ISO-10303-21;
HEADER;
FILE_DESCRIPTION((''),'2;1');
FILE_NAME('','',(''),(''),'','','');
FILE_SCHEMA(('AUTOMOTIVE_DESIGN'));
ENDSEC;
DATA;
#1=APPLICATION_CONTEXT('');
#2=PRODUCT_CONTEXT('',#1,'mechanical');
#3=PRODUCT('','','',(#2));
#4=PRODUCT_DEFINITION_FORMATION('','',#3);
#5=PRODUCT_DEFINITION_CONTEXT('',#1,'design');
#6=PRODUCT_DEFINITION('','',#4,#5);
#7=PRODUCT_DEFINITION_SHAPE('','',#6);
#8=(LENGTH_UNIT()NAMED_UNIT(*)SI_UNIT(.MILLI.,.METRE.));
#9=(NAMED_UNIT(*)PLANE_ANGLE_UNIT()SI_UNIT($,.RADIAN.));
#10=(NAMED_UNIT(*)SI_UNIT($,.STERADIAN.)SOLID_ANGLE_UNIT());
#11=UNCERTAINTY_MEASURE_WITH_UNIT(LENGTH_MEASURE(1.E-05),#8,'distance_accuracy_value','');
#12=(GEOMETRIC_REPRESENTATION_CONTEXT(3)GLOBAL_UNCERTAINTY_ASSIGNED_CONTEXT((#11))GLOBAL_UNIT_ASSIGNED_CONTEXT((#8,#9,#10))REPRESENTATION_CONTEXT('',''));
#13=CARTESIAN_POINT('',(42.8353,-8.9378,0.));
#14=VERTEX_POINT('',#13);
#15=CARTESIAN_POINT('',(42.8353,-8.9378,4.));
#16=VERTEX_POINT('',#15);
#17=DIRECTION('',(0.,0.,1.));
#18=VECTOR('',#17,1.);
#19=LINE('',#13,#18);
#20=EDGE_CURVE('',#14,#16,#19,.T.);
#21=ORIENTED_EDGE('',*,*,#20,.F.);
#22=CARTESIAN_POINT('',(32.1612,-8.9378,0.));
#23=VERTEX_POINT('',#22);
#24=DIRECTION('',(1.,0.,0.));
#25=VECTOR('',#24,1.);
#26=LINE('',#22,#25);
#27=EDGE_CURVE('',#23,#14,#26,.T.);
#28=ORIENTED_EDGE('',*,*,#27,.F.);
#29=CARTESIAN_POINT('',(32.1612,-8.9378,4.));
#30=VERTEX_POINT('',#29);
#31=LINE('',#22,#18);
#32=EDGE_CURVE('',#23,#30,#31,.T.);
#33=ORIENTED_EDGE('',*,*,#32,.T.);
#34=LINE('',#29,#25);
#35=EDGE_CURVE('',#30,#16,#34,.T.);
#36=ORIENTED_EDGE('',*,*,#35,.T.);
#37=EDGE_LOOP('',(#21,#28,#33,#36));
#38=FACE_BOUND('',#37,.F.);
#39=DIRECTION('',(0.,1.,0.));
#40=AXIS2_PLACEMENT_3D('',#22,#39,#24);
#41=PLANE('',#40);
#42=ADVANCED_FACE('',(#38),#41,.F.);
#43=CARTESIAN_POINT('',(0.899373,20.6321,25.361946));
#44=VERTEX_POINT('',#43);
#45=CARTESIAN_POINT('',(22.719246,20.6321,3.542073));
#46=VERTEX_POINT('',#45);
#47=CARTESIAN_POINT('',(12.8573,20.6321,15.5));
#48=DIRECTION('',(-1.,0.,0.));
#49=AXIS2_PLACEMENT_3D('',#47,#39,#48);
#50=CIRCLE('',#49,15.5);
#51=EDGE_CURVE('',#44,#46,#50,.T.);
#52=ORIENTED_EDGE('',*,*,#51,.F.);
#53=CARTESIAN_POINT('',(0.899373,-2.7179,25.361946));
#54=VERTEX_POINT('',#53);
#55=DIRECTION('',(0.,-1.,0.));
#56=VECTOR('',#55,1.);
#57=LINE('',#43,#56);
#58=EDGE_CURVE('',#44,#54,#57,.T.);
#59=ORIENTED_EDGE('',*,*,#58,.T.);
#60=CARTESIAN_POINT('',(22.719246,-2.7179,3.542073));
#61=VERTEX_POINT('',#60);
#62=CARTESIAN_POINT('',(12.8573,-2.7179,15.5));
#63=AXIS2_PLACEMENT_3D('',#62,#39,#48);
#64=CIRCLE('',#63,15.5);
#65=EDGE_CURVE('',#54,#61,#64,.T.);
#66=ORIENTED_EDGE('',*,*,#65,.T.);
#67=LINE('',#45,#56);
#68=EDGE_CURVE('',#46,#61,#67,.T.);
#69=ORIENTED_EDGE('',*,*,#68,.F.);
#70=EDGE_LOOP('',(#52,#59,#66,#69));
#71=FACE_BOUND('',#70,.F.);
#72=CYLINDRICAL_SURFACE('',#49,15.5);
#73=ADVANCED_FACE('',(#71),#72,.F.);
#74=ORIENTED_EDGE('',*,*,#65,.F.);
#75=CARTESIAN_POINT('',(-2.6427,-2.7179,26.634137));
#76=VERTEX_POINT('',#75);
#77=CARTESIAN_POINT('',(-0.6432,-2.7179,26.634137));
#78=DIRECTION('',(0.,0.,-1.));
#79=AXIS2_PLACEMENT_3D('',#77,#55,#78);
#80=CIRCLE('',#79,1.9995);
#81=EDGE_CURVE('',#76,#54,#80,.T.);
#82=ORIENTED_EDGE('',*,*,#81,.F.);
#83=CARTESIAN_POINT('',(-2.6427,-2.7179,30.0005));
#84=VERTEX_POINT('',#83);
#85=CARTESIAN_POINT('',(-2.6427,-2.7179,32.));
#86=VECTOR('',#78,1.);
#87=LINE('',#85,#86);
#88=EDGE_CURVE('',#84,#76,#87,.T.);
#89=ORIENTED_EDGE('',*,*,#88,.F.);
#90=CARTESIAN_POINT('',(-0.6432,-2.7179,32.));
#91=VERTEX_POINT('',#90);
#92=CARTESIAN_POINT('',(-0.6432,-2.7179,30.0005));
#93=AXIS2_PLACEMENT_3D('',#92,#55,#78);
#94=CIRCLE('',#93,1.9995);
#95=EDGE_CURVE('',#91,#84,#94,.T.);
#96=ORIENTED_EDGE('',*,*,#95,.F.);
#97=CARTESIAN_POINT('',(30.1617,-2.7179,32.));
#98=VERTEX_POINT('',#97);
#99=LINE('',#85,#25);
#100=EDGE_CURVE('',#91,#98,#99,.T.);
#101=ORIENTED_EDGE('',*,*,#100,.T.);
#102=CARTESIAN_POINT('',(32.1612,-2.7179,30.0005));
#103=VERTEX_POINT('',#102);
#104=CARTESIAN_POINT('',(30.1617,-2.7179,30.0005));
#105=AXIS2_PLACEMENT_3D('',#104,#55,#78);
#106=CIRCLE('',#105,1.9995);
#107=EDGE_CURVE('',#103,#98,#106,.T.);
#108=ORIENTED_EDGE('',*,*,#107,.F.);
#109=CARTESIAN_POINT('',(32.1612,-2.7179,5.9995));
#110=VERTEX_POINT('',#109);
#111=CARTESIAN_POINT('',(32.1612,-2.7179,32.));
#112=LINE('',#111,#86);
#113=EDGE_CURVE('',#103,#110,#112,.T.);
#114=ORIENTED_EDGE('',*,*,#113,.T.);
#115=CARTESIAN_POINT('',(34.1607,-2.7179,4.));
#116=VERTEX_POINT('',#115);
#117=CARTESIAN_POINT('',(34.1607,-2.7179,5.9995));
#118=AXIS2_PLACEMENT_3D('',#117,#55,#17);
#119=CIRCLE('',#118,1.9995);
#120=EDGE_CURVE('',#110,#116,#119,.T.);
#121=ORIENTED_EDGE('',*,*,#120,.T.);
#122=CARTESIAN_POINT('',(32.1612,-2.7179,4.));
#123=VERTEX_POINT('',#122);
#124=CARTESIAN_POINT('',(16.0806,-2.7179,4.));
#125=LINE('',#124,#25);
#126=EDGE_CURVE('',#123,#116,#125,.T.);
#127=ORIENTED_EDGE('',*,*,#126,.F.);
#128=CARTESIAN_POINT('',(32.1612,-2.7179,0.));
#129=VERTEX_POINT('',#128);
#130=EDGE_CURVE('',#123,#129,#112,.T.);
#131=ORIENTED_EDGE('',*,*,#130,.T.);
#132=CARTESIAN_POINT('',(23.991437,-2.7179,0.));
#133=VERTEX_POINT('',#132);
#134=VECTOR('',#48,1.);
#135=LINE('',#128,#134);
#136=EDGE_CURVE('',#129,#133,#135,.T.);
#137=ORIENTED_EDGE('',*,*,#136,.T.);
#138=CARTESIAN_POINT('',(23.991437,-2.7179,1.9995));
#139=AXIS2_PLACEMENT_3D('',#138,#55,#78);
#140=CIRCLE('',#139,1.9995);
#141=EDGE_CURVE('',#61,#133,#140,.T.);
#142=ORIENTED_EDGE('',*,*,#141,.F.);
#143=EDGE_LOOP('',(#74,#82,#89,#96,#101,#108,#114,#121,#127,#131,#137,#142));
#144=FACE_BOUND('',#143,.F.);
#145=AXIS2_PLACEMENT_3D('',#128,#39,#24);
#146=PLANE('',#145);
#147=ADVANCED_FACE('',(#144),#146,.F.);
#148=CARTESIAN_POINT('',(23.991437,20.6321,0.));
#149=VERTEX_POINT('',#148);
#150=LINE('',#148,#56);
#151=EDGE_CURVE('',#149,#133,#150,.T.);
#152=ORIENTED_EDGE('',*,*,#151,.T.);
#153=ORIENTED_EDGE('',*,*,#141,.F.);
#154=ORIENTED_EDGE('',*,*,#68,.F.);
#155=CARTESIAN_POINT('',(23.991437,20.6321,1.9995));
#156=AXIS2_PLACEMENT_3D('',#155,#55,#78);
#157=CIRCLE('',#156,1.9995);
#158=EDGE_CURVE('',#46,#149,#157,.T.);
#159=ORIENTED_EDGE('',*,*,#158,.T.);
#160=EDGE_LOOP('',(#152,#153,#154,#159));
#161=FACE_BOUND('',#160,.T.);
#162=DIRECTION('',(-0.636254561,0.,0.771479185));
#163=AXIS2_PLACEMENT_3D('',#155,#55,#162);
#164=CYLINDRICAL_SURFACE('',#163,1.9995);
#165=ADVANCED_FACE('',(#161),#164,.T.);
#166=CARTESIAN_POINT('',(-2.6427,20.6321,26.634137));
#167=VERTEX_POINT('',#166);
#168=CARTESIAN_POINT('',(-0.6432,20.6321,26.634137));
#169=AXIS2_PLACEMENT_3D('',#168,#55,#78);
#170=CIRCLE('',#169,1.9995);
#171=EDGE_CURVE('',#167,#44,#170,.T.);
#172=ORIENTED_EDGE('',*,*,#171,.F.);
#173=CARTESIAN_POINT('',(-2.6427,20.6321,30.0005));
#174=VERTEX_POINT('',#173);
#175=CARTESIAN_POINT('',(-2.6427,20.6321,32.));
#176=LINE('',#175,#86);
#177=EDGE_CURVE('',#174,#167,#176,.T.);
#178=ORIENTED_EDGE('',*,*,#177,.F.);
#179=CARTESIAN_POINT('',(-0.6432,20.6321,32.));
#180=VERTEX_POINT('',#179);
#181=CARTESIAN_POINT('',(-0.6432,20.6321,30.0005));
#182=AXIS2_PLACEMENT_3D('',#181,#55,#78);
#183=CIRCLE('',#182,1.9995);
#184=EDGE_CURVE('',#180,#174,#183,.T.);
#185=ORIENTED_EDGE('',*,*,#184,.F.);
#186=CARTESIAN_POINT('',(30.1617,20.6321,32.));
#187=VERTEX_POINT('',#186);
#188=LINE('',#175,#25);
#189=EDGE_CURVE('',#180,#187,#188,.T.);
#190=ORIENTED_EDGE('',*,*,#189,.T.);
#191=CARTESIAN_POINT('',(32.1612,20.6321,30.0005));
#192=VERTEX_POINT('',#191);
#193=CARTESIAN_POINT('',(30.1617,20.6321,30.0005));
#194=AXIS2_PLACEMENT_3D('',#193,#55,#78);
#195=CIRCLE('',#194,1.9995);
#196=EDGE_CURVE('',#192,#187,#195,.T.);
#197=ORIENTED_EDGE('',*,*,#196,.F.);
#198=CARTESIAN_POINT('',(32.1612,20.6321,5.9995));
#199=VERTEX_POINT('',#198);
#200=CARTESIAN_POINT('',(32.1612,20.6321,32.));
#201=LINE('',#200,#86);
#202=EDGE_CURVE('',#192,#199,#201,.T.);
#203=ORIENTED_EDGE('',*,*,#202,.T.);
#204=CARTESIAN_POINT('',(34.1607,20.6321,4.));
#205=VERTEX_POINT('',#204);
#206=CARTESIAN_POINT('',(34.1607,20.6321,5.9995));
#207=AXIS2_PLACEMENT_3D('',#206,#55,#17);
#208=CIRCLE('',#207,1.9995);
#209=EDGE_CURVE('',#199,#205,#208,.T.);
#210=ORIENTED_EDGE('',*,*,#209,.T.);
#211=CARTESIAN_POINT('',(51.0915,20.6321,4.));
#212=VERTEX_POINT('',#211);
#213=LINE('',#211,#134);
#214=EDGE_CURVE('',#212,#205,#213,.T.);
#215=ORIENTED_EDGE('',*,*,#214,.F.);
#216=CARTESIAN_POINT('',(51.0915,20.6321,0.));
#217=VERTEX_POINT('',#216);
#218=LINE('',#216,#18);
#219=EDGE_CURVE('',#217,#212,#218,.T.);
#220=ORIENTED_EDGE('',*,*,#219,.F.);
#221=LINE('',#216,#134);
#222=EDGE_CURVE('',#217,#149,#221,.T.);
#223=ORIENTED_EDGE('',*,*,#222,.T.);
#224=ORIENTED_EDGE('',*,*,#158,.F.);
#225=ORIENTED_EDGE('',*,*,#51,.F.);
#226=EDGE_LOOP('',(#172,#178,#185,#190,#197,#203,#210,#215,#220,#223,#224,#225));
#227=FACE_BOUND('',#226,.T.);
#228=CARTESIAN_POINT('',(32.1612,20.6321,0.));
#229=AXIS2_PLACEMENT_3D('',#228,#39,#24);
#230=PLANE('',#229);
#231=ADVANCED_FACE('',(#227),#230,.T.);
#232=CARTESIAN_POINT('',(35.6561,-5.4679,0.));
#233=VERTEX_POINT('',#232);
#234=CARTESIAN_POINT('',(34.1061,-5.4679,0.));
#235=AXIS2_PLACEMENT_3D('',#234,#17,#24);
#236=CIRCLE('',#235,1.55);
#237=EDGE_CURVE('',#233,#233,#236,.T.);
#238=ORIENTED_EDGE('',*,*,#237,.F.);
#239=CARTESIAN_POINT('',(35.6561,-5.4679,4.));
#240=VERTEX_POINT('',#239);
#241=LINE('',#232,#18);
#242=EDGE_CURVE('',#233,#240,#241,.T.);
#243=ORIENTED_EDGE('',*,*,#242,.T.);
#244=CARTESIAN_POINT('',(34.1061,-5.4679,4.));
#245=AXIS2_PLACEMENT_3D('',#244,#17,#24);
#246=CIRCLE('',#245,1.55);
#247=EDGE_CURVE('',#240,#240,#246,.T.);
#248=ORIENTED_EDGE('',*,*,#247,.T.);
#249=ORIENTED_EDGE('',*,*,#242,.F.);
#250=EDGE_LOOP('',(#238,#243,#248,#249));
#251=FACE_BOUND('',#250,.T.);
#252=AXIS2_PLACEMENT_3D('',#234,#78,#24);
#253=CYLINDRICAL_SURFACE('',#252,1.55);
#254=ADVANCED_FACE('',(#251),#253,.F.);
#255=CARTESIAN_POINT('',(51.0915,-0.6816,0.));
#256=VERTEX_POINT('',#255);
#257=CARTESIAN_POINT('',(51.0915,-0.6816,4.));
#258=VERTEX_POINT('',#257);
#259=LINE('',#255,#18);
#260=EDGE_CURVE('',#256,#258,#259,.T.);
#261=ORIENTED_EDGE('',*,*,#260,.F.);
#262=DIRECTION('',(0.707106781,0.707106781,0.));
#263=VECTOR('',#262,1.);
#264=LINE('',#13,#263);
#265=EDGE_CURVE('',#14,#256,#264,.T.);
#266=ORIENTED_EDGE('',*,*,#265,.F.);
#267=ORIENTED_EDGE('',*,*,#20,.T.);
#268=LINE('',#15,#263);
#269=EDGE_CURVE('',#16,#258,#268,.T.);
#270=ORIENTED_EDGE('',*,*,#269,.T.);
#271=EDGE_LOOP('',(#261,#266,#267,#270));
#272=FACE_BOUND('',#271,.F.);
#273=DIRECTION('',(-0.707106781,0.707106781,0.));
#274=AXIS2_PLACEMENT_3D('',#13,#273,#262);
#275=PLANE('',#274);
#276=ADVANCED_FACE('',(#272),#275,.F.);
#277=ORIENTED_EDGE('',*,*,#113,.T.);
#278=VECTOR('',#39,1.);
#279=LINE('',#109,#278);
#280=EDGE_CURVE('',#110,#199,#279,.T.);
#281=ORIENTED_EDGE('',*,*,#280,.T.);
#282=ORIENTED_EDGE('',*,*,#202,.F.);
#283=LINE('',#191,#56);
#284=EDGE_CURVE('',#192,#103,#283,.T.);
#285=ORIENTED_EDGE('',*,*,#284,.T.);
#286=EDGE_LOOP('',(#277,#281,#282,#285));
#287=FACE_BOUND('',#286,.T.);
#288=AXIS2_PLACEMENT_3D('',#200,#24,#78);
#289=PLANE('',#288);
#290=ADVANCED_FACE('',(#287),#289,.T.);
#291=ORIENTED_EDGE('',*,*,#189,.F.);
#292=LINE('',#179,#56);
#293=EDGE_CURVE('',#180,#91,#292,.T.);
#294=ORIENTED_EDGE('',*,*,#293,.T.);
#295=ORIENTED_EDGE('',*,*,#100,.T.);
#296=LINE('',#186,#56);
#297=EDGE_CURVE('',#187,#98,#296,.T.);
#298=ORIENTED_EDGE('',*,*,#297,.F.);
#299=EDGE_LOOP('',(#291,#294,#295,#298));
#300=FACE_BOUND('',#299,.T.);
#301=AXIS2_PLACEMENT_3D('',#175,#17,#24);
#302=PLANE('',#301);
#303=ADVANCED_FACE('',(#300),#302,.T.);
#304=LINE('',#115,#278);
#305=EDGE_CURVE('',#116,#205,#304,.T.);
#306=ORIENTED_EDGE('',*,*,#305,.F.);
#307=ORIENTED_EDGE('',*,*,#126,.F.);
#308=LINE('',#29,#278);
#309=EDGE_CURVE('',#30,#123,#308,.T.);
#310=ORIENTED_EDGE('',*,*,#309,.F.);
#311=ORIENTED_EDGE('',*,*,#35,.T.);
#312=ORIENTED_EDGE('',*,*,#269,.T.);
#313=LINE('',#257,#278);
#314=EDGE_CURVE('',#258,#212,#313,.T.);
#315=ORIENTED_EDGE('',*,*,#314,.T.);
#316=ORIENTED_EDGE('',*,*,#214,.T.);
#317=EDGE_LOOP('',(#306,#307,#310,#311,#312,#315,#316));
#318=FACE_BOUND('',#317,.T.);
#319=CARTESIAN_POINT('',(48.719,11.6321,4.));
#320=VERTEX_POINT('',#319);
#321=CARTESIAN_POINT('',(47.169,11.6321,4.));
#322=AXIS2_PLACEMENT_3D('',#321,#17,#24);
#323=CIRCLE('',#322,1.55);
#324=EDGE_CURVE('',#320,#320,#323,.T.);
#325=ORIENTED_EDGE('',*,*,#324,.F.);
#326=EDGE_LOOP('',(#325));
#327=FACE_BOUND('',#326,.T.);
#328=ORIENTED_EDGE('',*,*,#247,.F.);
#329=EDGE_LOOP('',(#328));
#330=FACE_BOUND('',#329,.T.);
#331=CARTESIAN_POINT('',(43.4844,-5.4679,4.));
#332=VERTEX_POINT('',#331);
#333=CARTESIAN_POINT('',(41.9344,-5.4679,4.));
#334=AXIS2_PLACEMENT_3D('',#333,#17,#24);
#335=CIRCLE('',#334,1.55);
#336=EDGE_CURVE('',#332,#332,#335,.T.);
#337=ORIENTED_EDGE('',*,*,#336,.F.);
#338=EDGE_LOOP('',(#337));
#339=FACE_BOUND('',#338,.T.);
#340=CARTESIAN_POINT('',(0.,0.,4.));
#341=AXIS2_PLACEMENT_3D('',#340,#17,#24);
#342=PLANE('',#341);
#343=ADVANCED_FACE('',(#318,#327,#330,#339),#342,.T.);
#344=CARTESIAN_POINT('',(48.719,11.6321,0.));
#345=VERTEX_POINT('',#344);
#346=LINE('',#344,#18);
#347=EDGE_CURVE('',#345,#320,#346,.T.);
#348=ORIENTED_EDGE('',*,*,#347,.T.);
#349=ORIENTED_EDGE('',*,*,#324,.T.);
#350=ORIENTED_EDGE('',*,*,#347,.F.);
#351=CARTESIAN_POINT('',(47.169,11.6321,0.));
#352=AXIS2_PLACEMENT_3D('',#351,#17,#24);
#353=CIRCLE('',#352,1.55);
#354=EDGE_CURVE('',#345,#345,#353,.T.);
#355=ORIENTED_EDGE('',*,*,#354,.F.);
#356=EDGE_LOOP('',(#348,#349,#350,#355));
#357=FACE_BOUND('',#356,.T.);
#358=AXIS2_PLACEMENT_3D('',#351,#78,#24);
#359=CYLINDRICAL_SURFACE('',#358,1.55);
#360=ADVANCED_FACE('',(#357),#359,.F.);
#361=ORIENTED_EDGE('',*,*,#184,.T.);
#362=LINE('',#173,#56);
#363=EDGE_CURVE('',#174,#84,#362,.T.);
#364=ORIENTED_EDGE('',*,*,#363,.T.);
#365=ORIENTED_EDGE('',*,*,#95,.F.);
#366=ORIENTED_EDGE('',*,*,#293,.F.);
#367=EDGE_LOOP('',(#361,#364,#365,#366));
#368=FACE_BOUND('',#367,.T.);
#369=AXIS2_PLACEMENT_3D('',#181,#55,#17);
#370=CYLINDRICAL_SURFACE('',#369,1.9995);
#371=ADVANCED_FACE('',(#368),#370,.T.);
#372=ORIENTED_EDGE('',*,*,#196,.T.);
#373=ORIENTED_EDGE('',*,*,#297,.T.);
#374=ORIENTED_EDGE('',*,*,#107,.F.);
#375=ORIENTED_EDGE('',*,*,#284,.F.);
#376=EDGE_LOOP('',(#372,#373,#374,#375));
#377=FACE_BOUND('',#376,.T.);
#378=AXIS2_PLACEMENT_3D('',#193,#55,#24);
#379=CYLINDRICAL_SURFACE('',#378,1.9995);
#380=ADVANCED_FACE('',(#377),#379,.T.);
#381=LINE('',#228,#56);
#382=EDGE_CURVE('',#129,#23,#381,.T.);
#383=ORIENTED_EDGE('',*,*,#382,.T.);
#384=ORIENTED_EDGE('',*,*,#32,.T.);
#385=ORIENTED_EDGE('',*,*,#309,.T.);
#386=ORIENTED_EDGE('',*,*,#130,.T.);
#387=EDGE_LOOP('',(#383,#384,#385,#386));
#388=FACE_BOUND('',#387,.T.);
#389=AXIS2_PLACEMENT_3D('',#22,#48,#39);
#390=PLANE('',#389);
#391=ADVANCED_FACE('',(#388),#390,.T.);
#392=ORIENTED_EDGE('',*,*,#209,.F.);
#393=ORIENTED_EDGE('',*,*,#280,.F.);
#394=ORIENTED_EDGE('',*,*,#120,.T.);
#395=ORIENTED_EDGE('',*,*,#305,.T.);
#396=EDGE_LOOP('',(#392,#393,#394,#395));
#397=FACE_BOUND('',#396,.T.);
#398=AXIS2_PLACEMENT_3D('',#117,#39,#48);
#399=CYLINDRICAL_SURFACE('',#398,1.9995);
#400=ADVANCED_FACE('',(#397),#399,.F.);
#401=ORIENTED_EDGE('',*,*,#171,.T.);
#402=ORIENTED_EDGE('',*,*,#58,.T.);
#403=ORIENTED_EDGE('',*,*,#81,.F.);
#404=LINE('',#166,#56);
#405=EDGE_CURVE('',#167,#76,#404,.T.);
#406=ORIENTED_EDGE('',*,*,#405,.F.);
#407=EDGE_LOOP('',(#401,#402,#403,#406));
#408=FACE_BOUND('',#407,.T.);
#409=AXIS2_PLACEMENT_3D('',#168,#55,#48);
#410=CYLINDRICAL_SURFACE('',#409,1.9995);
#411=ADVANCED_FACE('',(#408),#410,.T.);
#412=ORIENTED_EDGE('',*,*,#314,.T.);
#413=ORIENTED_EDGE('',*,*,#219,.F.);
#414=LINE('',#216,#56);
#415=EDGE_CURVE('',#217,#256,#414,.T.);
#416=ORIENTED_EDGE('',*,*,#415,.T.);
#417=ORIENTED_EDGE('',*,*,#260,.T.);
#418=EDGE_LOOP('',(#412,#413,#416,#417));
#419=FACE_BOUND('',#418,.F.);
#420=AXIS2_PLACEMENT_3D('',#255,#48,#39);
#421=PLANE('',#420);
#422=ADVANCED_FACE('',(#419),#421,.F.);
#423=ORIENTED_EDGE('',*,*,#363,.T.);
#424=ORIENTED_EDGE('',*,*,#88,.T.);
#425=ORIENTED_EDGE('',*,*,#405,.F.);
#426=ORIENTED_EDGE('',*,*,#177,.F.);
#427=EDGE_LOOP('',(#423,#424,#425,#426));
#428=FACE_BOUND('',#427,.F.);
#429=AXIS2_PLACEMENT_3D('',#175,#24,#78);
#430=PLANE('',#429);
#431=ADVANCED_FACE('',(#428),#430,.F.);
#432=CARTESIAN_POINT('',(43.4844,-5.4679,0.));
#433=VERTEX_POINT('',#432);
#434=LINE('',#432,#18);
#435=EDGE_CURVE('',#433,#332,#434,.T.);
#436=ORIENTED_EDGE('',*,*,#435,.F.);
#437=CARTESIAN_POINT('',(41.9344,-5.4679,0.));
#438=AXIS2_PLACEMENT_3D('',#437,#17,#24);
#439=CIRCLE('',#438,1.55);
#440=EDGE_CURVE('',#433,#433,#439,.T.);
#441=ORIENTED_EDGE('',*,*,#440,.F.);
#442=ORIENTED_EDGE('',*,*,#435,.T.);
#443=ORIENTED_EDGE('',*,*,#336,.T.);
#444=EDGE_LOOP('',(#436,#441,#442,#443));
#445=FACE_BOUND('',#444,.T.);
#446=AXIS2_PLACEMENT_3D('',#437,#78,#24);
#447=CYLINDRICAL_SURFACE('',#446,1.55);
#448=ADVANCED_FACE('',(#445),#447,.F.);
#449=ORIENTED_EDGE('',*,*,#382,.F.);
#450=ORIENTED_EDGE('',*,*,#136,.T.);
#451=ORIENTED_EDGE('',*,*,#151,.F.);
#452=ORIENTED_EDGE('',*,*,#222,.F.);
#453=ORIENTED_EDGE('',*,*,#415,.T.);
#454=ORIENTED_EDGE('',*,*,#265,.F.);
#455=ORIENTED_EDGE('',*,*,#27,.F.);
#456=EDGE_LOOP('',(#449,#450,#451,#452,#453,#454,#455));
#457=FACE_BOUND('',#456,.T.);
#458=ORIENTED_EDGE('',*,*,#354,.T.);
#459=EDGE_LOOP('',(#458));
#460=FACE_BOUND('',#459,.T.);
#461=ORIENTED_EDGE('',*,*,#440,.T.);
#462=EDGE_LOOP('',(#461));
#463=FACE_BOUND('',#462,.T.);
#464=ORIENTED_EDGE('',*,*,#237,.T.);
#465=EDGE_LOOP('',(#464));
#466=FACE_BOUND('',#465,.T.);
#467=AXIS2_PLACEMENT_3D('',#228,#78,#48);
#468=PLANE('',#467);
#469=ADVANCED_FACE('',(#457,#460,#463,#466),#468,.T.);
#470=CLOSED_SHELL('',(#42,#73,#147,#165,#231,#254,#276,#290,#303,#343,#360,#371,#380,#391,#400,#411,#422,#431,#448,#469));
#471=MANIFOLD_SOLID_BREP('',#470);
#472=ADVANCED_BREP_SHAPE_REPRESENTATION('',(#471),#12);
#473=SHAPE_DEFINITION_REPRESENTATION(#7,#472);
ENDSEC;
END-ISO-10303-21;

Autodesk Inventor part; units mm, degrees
ref_plane "YZ Plane" through (0, 0, 0) normal (1, 0, 0) x (0, 1, 0)
ref_plane "XZ Plane" through (0, 0, 0) normal (0, 1, 0) x (-1, 0, 0)
ref_plane "Work Plane1" through (0, 0, 0) normal (0, 0, 1) x (1, 0, 0)
sketch "Sketch1" plane through (0, 0, 0) normal (0, 0, 1) x (1, 0, 0)
  circle A0 centre (2.6061, 6.2821) radius 1.5 construction
  circle A1 centre (22.6061, 6.2821) radius 1.5 construction
  line L0 (-2.6427, 15.6321) -> (-2.6427, -2.7179) construction
  line L1 (-2.6427, -2.7179) -> (30.1061, -2.7179) construction
  line L2 (30.1061, -2.7179) -> (30.1061, -39.6443) construction
  line L3 (30.1061, -39.6443) -> (66.9651, 7.5331) construction
  line L4 (66.9651, 7.5331) -> (66.9651, 15.6321) construction
  line L5 (66.9651, 15.6321) -> (-2.6427, 15.6321) construction
  circle A2 centre (12.3511, 11.6321) radius 1.45 construction
  circle A3 centre (41.9344, -5.4679) radius 1.45 construction
  circle A4 centre (34.1061, -5.4679) radius 1.45 construction
  circle A5 centre (54.6178, 11.6321) radius 1.45 construction
  circle A6 centre (-0.6427, 11.6823) radius 1.45 construction
  circle A7 centre (29.5857, 11.6321) radius 1.45 construction
  circle A8 centre (51.7579, -5.4342) radius 1.45 construction
  circle A9 centre (34.1061, -24.4536) radius 1.45 construction
  circle A10 centre (47.169, 11.6321) radius 1.45 construction
  line L6 (-2.0689, 15.0821) -> (-2.0689, 2.6821) construction
  line L7 (27.2811, 15.0821) -> (27.2811, 2.6821) construction
  line L8 (32.1612, -8.9378) -> (42.8353, -8.9378)
  line L9 (42.8353, -8.9378) -> (51.0915, -0.6816)
  line L10 (51.0915, -0.6816) -> (51.0915, 15.6321)
  line L11 (32.1612, -8.9378) -> (32.1612, 15.6321)
  line L12 (32.1612, 15.6321) -> (51.0915, 15.6321)
  circle A11 centre (34.1061, -5.4679) radius 1.55
  circle A12 centre (41.9344, -5.4679) radius 1.55
  circle A13 centre (47.169, 11.6321) radius 1.55
  line L13 (32.1612, 15.6321) -> (51.0915, 15.6321)
  line L14 (51.0915, 15.6321) -> (51.0915, 20.6321)
  line L15 (51.0915, 20.6321) -> (32.1612, 20.6321)
  line L16 (32.1612, 20.6321) -> (32.1612, 15.6321)
  point P0 (0, 0)
  dimension "d0" = 135
  dimension "d1" = 3.1
  dimension "d2" = 3.1
  dimension "d3" = 3.1
  dimension "d16" = 5
extrude "Extrusion1" add sketch "Sketch1" along normal blind 4
sketch "Sketch5" plane through (32.1612, 20.6321, 0) normal (0, 1, 0) x (1, 0, 0)
  circle A0 centre (-19.5551, -14.65) radius 15.24 construction
  circle A1 centre (-19.3039, -15.5) radius 15.5 construction
  line L0 (-34.8039, 0) -> (-34.8039, -32) construction
  line L1 (34.8039, 0) -> (-34.8039, 0) construction
  line L2 (0, 0) -> (18.9303, 0) construction
  line L3 (0, 0) -> (0, -4) construction
  line L4 (18.9303, -4) -> (0, -4) construction
  line L5 (18.9303, 0) -> (18.9303, -4) construction
  line L6 (0, 0) -> (18.9303, 0) construction
  line L7 (0, 0) -> (-19.3058, 0) construction
  line L8 (0, 0) -> (-19.3039, 0)
  line L9 (-34.8039, -32) -> (0, -32)
  line L10 (0, -32) -> (0, 0)
  arc A2 (-34.8039, -15.5) -> (-19.3039, 0) centre (-19.3039, -15.5) ccw
  line L11 (-34.8039, -32) -> (-34.8039, -15.5)
  point P0 (-32.1612, 0)
  dimension "d21" = 31
ref_plane "Work Plane3" through (-2.6427, -2.7179, 0) normal (0, 1, 0) x (0, 0, 1)
extrude "Extrusion5" add sketch "Sketch5" against normal up to surface (23.35 mm away)
fillet "Fillet1" radius 2 5 edges at (-2.6427, 8.9571, 15.5) (12.8573, 8.9571, 0) (32.1612, 8.9571, 32) (-2.6427, 8.9571, 32) (32.1612, 8.9571, 4)
properties part number "cellSTORM_alviumadapter"
